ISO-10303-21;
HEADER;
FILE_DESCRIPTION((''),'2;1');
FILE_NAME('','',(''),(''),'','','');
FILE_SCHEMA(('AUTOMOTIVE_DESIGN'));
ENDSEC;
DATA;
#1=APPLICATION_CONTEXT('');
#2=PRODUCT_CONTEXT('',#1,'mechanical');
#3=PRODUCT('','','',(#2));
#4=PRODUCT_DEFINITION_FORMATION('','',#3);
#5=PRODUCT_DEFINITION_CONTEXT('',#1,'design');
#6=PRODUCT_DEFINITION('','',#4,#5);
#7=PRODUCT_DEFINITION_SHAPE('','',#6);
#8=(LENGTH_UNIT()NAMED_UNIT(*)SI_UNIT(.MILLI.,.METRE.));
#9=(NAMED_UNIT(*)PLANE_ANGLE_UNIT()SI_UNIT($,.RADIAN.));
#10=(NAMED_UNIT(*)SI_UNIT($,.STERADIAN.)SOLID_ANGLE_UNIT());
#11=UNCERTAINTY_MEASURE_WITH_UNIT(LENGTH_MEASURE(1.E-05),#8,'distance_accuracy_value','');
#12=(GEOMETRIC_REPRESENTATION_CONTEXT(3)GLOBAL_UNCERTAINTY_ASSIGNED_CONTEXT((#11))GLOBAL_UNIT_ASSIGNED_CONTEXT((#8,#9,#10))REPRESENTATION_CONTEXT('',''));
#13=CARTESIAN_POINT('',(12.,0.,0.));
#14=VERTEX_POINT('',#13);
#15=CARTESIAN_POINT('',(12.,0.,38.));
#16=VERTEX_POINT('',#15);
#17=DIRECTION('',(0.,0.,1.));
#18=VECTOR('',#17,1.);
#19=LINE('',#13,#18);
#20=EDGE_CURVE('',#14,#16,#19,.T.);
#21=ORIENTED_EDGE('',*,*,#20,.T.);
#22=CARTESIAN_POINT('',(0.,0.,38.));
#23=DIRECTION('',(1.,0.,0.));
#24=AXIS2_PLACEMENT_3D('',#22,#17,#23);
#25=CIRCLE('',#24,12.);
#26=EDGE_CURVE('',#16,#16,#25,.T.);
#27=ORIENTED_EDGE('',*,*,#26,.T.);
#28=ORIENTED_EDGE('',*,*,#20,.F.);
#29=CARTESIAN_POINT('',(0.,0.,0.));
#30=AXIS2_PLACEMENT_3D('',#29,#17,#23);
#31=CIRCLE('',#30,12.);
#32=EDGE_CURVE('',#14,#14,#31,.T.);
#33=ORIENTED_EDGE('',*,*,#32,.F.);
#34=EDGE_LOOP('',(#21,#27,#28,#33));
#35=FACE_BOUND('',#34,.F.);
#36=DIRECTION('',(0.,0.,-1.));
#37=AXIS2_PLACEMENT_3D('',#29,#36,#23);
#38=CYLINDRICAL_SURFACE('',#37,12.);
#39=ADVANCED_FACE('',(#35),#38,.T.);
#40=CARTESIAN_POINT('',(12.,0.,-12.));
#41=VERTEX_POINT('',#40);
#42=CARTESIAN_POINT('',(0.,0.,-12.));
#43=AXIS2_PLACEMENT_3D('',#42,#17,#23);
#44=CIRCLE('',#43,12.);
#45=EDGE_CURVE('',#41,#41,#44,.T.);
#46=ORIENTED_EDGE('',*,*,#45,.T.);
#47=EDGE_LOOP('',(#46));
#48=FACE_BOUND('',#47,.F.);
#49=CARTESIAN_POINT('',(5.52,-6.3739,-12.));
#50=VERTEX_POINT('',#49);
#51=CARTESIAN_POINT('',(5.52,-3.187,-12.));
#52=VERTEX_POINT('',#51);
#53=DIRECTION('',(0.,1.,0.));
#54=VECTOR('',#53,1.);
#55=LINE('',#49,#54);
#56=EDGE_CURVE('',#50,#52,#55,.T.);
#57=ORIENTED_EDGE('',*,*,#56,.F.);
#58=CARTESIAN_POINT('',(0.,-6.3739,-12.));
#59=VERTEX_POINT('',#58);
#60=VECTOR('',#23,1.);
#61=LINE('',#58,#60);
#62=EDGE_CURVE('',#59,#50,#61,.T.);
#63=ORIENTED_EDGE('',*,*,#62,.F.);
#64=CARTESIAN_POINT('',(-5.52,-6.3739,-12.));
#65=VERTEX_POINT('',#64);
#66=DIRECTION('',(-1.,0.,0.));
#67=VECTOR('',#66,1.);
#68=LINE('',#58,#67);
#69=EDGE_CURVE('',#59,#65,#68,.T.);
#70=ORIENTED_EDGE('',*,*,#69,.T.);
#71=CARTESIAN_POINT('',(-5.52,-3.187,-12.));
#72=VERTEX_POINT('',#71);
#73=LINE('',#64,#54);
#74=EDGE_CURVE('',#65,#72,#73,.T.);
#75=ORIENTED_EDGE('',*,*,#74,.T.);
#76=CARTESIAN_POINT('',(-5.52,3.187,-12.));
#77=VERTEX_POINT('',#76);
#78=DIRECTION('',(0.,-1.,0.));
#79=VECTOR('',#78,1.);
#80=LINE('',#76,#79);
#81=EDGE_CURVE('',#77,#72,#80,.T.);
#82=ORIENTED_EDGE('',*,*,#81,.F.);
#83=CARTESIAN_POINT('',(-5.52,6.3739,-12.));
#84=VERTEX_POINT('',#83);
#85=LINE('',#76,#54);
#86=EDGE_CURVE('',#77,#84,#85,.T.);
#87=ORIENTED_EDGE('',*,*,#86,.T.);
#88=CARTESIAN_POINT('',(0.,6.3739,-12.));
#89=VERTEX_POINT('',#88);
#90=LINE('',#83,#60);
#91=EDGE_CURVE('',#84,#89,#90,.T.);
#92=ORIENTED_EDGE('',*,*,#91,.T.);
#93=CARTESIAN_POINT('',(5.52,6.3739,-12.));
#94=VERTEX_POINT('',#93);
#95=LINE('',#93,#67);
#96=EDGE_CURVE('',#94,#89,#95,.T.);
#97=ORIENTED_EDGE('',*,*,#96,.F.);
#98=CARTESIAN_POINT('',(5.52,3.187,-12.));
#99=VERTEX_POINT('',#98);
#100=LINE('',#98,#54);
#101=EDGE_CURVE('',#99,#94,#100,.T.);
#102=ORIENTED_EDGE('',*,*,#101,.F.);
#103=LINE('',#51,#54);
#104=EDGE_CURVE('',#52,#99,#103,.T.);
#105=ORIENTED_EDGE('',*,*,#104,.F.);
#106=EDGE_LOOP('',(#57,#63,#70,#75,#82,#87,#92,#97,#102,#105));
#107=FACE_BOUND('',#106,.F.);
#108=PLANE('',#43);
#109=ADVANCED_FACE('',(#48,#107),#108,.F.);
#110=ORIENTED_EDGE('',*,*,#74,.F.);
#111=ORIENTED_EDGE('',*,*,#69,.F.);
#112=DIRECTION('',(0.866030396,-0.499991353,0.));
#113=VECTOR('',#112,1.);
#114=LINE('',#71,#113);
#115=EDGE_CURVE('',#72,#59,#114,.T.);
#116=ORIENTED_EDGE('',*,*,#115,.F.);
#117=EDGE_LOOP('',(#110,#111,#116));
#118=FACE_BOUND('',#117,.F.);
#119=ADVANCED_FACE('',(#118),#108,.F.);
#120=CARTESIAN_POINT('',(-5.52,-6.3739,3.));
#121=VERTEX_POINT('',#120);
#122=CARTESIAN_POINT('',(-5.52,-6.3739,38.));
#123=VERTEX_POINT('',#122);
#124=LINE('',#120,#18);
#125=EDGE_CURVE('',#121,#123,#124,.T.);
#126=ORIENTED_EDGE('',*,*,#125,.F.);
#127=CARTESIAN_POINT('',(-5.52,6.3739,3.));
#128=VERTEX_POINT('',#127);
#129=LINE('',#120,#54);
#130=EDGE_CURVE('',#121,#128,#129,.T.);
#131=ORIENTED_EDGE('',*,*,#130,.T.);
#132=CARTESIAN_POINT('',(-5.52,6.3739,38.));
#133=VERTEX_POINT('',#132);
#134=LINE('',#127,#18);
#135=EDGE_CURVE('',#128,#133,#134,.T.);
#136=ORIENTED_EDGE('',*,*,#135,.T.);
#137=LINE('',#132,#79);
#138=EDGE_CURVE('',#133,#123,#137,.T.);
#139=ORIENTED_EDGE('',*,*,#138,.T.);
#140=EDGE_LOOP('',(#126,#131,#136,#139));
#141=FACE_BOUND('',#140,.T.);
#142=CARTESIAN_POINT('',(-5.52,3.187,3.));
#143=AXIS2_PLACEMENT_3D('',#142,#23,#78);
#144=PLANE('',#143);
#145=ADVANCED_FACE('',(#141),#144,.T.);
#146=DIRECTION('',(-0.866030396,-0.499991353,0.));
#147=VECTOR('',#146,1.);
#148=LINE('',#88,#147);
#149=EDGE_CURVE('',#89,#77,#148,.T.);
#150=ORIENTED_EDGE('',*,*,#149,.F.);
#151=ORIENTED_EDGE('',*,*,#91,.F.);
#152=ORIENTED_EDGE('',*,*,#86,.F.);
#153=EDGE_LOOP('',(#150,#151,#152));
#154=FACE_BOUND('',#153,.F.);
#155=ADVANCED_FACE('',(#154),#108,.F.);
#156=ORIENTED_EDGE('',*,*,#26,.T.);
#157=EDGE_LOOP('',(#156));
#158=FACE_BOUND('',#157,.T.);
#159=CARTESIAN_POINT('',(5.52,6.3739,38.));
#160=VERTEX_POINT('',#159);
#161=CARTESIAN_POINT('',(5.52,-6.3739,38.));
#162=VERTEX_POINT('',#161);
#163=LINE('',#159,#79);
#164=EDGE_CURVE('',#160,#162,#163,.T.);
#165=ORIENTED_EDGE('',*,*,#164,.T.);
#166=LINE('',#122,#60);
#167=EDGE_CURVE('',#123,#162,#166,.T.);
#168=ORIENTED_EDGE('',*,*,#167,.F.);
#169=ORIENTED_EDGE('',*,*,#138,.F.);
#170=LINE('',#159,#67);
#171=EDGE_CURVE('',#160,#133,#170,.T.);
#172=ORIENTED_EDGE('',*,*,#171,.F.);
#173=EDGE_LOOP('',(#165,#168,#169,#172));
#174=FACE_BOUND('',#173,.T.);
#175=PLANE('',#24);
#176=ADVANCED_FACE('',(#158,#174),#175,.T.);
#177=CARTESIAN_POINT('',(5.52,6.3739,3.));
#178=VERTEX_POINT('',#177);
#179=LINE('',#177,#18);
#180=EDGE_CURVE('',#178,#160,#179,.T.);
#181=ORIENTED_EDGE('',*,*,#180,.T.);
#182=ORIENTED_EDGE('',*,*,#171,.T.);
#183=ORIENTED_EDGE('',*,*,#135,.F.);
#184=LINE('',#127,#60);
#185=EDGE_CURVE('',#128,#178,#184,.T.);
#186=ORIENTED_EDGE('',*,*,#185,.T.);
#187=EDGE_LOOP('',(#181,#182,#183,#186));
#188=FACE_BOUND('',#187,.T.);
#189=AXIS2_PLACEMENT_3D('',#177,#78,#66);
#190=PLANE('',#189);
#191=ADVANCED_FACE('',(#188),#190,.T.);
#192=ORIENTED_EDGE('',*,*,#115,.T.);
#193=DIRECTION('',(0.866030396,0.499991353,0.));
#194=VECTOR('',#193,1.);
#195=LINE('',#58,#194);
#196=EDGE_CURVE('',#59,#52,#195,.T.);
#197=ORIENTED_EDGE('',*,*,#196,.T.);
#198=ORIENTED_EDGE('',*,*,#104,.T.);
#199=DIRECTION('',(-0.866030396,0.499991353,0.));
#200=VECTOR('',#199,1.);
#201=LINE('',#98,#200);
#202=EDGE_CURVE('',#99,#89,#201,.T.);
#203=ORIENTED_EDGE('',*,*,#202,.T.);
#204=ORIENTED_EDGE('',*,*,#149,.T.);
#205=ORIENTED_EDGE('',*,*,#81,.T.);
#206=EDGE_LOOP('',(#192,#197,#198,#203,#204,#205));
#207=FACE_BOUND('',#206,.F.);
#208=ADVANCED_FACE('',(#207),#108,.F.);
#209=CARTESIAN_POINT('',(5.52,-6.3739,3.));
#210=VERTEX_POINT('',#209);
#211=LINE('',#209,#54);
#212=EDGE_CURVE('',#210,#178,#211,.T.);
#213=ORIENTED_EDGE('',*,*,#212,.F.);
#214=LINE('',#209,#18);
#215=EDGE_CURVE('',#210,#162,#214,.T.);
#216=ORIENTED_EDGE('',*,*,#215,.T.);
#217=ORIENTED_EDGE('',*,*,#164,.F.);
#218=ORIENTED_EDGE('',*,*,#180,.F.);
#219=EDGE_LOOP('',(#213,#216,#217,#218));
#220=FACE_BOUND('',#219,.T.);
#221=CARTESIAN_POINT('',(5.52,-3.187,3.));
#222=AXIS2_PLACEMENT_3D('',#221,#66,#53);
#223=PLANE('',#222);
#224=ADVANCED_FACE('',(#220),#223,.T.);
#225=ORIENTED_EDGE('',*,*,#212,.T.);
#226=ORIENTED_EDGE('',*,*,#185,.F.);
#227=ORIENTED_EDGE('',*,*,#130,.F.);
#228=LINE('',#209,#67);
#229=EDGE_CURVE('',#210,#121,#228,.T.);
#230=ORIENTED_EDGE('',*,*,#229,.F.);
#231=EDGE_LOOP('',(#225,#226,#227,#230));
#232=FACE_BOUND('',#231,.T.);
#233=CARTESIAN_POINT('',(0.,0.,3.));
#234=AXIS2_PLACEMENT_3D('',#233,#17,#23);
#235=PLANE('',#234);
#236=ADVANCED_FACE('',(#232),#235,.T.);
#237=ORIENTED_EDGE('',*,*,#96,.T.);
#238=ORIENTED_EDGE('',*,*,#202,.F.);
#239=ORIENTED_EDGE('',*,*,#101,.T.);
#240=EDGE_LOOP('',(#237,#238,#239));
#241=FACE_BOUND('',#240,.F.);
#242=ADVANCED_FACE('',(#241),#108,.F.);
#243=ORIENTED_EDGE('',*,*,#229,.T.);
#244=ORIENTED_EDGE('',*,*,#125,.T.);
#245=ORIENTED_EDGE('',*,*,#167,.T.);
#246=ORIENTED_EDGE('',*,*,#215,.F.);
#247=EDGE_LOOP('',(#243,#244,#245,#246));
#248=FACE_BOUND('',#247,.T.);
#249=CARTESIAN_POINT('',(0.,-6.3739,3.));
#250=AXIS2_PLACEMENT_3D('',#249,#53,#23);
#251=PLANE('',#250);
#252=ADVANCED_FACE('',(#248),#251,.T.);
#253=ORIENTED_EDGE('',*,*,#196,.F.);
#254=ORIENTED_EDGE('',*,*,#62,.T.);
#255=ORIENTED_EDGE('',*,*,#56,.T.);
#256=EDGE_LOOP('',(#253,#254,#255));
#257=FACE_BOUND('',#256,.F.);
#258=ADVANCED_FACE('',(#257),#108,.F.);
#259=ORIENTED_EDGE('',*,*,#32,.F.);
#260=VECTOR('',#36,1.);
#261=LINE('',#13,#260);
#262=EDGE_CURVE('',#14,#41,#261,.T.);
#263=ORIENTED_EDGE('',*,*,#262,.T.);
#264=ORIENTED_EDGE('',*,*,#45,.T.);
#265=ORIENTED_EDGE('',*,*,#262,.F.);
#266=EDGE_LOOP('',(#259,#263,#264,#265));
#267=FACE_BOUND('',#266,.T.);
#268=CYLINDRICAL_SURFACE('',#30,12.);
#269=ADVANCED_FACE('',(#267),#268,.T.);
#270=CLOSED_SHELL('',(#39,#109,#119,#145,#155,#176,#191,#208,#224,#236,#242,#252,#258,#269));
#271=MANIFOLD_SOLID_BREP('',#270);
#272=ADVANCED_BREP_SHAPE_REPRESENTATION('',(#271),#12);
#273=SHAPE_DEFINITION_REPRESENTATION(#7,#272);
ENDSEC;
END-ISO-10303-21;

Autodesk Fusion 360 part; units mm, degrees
sketch "Sketch1" plane through (0, 0, 0) normal (0, 0, 1) x (1, 0, 0)
  line L0 (5.52, 3.187) -> (0, 6.3739)
  line L1 (0, 6.3739) -> (-5.52, 3.187)
  line L2 (-5.52, 3.187) -> (-5.52, -3.187)
  line L3 (-5.52, -3.187) -> (0, -6.3739)
  line L4 (0, -6.3739) -> (5.52, -3.187)
  line L5 (5.52, -3.187) -> (5.52, 3.187)
  circle A0 centre (0, 0) radius 12
  line L6 (-2.76, 4.7805) -> (-6, 10.3923) construction
  line L7 (2.76, -4.7805) -> (6, -10.3923) construction
  line L8 (0, -6.3739) -> (-5.52, -6.3739)
  line L9 (-5.52, -6.3739) -> (-5.52, -3.187)
  line L10 (0, -6.3739) -> (5.52, -6.3739)
  line L11 (5.52, -6.3739) -> (5.52, -3.187)
  line L12 (5.52, 3.187) -> (5.52, 6.3739)
  line L13 (5.52, 6.3739) -> (0, 6.3739)
  line L14 (-5.52, 3.187) -> (-5.52, 6.3739)
  line L15 (-5.52, 6.3739) -> (0, 6.3739)
  dimension "d1" = 5.52
  dimension "d2" = 24
extrude "Extrude1" add sketch "Sketch1" along normal blind 38 and the other way blind 12 contours L0 L1 L2 L3 L4 L5 | L0 L12 L13 | L1 L14 L15 | L4 L10 L11 | L3 L8 L9 | A0
extrude "Extrude2" cut sketch "Sketch1" along normal blind 35 from surface at 3 contours L0 L1 L2 L3 L4 L5 | L0 L12 L13 | L1 L14 L15 | L4 L10 L11 | L3 L8 L9
